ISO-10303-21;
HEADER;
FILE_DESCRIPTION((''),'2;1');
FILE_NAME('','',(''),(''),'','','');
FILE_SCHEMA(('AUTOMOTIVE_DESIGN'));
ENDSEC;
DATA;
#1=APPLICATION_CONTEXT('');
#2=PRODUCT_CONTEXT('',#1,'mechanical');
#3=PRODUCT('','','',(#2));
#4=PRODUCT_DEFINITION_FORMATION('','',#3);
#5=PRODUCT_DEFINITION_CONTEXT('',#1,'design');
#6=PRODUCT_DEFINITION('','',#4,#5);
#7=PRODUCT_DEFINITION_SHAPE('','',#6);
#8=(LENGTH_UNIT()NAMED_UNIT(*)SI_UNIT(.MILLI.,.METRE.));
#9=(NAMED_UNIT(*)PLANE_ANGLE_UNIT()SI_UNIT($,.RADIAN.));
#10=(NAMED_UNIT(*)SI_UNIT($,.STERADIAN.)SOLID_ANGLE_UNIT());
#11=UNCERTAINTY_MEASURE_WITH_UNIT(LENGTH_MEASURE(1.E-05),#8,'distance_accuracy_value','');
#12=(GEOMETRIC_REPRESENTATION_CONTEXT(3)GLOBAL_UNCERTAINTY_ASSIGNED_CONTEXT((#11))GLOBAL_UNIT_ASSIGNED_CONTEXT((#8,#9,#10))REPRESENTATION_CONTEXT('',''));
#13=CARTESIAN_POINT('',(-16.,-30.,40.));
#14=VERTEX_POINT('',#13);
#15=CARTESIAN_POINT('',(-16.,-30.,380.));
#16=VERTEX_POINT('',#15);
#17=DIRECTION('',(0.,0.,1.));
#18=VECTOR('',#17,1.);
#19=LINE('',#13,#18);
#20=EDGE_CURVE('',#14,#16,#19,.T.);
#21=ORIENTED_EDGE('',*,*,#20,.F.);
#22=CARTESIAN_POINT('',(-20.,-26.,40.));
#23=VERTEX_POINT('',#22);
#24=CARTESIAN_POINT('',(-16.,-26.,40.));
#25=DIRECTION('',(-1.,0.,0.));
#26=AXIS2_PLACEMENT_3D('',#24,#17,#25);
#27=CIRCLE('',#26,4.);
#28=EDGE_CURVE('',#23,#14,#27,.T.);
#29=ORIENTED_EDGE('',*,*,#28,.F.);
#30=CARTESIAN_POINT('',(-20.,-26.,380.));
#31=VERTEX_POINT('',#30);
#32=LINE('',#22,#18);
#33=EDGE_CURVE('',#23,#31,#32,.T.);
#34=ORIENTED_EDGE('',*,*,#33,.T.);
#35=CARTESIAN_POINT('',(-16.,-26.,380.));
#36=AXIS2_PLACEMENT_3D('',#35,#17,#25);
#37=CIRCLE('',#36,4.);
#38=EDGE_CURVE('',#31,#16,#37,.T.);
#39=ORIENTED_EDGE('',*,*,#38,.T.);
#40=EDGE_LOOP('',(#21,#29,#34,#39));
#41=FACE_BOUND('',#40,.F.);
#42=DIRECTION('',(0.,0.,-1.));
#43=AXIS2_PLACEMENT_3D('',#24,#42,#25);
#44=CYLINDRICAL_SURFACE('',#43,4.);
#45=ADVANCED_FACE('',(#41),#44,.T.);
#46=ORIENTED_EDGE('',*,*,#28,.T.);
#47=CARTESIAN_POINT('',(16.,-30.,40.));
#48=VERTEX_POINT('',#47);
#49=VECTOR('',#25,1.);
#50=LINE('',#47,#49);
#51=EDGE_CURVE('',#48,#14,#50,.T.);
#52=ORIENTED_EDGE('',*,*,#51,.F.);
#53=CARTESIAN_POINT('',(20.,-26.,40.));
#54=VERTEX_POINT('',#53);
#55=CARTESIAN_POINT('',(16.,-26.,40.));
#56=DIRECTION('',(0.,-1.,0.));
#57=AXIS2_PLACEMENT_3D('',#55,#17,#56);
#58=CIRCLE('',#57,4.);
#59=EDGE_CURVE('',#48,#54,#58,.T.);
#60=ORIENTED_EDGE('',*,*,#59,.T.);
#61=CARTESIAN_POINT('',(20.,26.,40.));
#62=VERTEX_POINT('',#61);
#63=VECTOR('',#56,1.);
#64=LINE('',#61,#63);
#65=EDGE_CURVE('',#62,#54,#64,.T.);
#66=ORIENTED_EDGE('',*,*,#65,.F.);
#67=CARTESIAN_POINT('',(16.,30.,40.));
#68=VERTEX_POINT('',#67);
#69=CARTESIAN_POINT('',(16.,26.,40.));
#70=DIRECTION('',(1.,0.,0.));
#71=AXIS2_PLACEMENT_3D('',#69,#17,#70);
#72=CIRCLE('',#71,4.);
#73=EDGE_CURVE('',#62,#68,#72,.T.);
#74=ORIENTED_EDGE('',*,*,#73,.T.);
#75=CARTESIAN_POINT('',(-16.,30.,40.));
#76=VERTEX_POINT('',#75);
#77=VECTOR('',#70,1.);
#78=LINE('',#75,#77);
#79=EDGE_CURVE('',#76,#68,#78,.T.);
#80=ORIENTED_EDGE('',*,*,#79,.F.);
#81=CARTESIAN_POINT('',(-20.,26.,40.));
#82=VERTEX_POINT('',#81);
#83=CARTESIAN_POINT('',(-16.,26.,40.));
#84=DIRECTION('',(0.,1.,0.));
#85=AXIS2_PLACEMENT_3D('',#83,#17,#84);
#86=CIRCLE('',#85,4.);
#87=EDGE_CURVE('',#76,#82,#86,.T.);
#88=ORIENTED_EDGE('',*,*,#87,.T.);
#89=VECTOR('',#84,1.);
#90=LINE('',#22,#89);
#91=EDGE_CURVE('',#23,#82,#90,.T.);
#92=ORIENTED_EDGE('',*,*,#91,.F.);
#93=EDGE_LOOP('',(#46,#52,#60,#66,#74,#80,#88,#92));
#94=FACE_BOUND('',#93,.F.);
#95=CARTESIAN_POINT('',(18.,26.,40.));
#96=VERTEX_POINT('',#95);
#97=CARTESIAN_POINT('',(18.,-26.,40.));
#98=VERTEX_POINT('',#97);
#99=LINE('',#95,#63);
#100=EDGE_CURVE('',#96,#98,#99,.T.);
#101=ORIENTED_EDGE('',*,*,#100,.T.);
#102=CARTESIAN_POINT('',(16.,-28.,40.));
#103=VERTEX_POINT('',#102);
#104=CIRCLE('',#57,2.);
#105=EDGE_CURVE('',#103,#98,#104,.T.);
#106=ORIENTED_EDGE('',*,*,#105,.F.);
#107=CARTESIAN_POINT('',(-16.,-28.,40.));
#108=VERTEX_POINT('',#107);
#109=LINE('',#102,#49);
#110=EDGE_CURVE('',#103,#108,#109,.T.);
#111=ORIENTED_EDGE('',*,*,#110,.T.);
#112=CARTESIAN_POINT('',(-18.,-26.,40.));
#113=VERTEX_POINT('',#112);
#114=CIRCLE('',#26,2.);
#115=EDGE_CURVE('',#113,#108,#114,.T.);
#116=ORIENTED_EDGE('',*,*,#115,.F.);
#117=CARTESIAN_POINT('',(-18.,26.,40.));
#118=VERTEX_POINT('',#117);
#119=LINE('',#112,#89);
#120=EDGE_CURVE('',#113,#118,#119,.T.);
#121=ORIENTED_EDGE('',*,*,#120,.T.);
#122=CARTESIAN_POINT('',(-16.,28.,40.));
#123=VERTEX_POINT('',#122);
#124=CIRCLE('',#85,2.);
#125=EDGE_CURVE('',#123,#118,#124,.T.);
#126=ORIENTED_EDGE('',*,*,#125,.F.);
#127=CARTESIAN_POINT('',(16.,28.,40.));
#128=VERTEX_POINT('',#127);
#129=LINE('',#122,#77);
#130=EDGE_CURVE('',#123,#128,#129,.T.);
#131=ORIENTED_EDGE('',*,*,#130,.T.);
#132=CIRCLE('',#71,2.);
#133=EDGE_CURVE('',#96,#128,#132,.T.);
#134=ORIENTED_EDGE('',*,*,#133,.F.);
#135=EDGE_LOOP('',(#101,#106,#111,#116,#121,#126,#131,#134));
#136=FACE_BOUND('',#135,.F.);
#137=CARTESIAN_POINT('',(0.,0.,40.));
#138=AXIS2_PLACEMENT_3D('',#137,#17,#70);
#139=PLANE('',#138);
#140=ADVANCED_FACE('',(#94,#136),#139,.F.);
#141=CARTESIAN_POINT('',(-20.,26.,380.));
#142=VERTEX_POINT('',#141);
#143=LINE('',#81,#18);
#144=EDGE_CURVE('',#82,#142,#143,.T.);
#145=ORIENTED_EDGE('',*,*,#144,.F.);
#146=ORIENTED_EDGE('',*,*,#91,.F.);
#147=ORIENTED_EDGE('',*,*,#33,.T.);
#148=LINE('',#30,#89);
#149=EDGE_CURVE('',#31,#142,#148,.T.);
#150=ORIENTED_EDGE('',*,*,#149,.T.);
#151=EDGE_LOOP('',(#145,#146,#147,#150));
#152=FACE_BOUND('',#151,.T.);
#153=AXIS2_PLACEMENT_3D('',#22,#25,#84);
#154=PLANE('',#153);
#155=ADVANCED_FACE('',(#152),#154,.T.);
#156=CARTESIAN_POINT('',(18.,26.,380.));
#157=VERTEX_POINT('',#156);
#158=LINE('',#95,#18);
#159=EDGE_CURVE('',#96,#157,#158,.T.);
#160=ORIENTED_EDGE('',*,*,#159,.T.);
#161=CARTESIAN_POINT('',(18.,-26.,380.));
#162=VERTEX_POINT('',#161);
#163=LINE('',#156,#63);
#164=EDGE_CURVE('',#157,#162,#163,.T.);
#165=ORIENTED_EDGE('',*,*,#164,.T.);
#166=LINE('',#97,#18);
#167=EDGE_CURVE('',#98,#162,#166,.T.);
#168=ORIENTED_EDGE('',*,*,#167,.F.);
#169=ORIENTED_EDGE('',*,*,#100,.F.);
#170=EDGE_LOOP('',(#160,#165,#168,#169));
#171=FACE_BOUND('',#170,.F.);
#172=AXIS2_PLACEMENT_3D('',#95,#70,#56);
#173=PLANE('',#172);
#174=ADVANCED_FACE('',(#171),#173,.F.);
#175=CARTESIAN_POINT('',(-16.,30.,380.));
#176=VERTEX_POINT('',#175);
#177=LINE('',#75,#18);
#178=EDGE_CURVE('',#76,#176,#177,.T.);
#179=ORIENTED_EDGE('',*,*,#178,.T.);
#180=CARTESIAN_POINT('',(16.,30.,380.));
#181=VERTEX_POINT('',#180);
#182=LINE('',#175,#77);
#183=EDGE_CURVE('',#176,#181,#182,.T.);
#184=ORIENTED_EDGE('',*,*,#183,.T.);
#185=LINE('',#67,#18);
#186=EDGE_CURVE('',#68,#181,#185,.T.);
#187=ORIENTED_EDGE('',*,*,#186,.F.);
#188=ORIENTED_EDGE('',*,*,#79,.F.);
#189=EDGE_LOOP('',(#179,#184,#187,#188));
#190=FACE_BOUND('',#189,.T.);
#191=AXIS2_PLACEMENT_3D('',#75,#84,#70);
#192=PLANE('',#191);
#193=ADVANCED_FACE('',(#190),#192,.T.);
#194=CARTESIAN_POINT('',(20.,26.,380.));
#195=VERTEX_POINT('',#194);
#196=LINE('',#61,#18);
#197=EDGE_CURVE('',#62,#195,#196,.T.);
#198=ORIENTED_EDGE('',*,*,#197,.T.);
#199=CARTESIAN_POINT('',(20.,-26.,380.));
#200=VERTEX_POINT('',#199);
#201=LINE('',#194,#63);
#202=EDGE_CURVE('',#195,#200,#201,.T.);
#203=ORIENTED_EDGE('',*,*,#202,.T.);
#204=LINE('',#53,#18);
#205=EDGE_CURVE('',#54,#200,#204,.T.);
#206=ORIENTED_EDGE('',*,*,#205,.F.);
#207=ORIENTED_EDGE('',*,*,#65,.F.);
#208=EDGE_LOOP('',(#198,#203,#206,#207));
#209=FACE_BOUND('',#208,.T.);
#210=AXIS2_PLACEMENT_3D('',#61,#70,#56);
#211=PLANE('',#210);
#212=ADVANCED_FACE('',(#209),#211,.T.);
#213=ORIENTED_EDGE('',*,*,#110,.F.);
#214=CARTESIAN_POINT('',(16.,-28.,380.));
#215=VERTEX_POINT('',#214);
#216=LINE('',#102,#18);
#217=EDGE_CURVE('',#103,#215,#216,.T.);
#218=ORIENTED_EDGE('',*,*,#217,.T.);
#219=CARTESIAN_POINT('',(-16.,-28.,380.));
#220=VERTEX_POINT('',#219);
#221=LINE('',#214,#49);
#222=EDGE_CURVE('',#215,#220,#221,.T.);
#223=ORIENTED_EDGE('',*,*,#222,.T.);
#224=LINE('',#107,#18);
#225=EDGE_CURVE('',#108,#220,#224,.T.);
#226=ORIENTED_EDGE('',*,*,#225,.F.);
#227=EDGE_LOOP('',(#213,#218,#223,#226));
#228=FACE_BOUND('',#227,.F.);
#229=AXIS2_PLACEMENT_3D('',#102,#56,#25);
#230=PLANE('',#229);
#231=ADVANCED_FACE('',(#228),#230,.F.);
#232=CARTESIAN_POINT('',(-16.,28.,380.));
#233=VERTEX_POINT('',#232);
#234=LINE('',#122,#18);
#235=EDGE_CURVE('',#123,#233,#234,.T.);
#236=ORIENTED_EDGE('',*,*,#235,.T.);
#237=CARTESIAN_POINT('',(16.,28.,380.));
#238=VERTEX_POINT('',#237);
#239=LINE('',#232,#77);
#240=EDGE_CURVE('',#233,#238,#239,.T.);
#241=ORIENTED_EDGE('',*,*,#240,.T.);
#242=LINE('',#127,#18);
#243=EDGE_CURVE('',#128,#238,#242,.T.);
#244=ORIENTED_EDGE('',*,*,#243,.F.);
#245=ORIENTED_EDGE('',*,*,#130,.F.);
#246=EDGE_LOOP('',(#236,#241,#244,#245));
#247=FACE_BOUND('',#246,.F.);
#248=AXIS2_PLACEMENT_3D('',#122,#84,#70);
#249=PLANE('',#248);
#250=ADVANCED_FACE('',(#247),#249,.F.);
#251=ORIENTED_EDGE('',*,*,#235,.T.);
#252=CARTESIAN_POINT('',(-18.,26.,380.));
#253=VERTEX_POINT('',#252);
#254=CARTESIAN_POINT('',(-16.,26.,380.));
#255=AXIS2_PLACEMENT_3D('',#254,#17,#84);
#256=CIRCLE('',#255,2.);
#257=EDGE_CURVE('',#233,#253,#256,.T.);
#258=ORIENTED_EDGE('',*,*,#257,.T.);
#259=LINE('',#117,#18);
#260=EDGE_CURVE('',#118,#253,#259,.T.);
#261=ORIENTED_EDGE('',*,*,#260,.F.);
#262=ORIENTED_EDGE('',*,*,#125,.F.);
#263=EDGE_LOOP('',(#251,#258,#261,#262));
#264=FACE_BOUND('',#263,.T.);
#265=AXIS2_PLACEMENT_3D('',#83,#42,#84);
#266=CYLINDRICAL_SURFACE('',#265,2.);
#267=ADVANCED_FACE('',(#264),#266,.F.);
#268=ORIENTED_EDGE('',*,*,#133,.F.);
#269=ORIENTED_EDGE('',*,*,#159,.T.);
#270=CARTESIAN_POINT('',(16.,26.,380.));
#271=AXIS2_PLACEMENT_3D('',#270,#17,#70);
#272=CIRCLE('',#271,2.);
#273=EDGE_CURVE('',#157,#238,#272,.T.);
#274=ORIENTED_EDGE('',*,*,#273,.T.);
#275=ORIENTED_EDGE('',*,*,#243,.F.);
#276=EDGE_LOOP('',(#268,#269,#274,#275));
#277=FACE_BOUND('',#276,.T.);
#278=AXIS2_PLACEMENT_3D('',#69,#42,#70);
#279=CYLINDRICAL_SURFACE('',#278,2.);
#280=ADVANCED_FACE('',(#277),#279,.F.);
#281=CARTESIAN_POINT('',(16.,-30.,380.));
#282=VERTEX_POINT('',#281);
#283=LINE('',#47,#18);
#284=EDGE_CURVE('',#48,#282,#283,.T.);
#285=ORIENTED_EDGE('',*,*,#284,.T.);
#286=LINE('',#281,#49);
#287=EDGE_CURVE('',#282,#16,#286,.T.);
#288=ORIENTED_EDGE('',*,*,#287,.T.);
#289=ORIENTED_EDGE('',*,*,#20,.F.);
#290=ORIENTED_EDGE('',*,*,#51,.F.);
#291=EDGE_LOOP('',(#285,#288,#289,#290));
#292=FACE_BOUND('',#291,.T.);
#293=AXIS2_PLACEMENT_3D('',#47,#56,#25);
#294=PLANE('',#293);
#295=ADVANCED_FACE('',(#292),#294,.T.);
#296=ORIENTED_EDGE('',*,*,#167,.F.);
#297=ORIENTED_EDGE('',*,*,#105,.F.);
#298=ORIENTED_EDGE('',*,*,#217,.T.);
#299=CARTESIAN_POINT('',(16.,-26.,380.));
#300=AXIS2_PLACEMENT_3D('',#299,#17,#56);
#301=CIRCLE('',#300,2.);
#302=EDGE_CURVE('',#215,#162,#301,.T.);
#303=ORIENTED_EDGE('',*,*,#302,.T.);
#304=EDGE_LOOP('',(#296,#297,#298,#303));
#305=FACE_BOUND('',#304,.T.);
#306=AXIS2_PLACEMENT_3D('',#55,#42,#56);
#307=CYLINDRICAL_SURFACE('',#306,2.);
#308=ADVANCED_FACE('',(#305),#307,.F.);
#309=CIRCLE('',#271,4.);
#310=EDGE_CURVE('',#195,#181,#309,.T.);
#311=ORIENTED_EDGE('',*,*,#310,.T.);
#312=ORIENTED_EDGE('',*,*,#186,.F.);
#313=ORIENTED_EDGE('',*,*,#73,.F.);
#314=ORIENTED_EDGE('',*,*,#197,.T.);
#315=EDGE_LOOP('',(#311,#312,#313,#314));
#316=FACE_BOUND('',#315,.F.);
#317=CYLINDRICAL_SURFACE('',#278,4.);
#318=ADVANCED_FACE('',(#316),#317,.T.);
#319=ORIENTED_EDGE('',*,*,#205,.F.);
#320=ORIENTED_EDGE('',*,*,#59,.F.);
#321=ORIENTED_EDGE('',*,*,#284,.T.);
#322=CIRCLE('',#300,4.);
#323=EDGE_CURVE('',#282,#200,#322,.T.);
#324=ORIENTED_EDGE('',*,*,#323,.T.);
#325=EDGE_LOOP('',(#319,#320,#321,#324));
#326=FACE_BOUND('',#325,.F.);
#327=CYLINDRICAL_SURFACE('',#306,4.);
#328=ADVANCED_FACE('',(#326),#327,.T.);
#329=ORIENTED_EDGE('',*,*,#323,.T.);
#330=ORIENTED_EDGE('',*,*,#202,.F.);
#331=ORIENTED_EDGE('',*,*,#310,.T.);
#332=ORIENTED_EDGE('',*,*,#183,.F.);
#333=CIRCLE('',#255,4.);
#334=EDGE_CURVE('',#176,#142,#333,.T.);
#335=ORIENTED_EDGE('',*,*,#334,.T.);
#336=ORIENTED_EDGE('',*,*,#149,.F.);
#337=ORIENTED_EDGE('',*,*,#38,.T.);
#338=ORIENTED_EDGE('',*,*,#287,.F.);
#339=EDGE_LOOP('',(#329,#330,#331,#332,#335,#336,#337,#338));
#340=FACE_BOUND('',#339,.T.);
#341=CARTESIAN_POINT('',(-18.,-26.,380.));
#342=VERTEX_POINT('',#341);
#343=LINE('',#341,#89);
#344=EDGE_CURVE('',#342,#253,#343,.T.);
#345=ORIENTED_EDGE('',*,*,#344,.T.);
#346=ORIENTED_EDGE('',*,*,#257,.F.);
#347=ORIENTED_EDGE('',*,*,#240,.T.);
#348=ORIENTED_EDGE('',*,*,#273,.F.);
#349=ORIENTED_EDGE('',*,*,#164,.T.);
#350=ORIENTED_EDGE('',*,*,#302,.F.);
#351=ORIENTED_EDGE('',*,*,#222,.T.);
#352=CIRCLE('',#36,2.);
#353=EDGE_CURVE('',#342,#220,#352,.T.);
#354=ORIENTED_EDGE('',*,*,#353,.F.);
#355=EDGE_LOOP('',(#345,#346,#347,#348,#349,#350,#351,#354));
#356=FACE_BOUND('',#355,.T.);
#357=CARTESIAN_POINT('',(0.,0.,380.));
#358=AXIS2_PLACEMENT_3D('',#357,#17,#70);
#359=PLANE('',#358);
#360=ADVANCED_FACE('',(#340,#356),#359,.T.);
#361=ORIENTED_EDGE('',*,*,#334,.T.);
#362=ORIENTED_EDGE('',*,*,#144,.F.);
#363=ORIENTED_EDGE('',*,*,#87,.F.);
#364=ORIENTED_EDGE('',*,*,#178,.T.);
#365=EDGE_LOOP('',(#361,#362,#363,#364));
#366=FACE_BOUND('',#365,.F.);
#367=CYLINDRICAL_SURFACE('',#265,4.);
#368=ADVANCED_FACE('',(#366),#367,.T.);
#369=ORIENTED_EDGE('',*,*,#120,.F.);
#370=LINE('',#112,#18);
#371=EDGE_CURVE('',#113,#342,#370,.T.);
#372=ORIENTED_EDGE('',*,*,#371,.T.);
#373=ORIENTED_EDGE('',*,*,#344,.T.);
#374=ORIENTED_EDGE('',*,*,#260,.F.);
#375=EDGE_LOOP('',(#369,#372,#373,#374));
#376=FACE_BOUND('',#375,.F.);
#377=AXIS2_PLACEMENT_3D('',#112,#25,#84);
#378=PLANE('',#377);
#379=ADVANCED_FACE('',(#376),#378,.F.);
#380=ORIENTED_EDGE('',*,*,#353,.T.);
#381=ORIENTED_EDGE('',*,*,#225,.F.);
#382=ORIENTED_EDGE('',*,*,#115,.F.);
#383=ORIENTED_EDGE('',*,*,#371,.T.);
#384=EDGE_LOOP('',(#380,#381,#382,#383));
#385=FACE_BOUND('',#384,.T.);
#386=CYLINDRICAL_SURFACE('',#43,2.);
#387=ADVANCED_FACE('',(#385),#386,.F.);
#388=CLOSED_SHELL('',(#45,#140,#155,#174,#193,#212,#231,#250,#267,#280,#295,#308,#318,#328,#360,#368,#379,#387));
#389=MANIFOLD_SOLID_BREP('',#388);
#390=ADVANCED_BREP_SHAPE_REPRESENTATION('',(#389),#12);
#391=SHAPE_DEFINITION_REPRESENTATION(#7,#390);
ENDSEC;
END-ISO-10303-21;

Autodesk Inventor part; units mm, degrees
ref_plane "YZ Plane" through (0, 0, 0) normal (1, 0, 0) x (0, 1, 0)
ref_plane "Start Plane" through (0, 0, 40) normal (0, 0, 1) x (1, 0, 0)
ref_plane "End Plane" through (0, 0, 380) normal (0, 0, 1) x (1, 0, 0)
sketch "Sketch" plane through (0, 0, 0) normal (0, 0, 1) x (1, 0, 0)
  line L0 (-20, -26) -> (-20, 26)
  line L1 (-16, 30) -> (16, 30)
  line L2 (20, 26) -> (20, -26)
  line L3 (16, -30) -> (-16, -30)
  arc A0 (-20, -26) -> (-16, -30) centre (-16, -26) ccw
  arc A1 (20, 26) -> (16, 30) centre (16, 26) ccw
  arc A2 (-16, 30) -> (-20, 26) centre (-16, 26) ccw
  arc A3 (16, -30) -> (20, -26) centre (16, -26) ccw
  arc A4 (-16, 28) -> (-18, 26) centre (-16, 26) ccw
  line L4 (-16, 28) -> (16, 28)
  arc A5 (18, 26) -> (16, 28) centre (16, 26) ccw
  line L5 (18, 26) -> (18, -26)
  arc A6 (16, -28) -> (18, -26) centre (16, -26) ccw
  line L6 (16, -28) -> (-16, -28)
  arc A7 (-18, -26) -> (-16, -28) centre (-16, -26) ccw
  line L7 (-18, -26) -> (-18, 26)
  line L8 (0, 43.1598) -> (0, -43.1598) construction
  line L9 (-29.1598, 0) -> (29.1598, 0) construction
  dimension "d7" = 4
  dimension "d9" = 40
  dimension "d11" = 60
  dimension "d12" = 2
  dimension "d15" = 20
  dimension "d16" = 30
extrude "Body" add sketch "Sketch" along normal up to surface (340 mm away) from surface at 40
sketch "Sketch3" plane through (0, 0, 0) normal (0, 0, 1) x (1, 0, 0)
  line L0 (0, 0) -> (10, 0)
ref_plane "Work Plane3" through (0, 0, 0) normal (0, -1, 0) x (1, 0, 0)
sketch "Sketch4" plane through (0, 0, 0) normal (0, -1, 0) x (1, 0, 0)
  line L0 (-2, 40) -> (12, 40) projected
  line L1 (-2, 380) -> (12, 380) projected
  dimension "d18" = 340
equation "\"d7\" = G_IR"
equation "\"d9\" = G_W"
equation "\"d11\" = G_H"
equation "\"d12\" = G_T"
equation "\"d15\" = 0.5 * d9"
equation "\"d16\" = 0.5 * d11"
equation "\"d3\" = G_L"
equation "\"G_W\" = 40"
equation "\"G_H\" = 60"
equation "\"G_T\" = 2"
equation "\"G_IR\" = 4"
equation "\"G_L\" = d18"
equation "\"G_OFFSET_END\" = 0"
properties part number "ISO 10799-2 - 60x40x2 - 340" material "Steel, Mild"
